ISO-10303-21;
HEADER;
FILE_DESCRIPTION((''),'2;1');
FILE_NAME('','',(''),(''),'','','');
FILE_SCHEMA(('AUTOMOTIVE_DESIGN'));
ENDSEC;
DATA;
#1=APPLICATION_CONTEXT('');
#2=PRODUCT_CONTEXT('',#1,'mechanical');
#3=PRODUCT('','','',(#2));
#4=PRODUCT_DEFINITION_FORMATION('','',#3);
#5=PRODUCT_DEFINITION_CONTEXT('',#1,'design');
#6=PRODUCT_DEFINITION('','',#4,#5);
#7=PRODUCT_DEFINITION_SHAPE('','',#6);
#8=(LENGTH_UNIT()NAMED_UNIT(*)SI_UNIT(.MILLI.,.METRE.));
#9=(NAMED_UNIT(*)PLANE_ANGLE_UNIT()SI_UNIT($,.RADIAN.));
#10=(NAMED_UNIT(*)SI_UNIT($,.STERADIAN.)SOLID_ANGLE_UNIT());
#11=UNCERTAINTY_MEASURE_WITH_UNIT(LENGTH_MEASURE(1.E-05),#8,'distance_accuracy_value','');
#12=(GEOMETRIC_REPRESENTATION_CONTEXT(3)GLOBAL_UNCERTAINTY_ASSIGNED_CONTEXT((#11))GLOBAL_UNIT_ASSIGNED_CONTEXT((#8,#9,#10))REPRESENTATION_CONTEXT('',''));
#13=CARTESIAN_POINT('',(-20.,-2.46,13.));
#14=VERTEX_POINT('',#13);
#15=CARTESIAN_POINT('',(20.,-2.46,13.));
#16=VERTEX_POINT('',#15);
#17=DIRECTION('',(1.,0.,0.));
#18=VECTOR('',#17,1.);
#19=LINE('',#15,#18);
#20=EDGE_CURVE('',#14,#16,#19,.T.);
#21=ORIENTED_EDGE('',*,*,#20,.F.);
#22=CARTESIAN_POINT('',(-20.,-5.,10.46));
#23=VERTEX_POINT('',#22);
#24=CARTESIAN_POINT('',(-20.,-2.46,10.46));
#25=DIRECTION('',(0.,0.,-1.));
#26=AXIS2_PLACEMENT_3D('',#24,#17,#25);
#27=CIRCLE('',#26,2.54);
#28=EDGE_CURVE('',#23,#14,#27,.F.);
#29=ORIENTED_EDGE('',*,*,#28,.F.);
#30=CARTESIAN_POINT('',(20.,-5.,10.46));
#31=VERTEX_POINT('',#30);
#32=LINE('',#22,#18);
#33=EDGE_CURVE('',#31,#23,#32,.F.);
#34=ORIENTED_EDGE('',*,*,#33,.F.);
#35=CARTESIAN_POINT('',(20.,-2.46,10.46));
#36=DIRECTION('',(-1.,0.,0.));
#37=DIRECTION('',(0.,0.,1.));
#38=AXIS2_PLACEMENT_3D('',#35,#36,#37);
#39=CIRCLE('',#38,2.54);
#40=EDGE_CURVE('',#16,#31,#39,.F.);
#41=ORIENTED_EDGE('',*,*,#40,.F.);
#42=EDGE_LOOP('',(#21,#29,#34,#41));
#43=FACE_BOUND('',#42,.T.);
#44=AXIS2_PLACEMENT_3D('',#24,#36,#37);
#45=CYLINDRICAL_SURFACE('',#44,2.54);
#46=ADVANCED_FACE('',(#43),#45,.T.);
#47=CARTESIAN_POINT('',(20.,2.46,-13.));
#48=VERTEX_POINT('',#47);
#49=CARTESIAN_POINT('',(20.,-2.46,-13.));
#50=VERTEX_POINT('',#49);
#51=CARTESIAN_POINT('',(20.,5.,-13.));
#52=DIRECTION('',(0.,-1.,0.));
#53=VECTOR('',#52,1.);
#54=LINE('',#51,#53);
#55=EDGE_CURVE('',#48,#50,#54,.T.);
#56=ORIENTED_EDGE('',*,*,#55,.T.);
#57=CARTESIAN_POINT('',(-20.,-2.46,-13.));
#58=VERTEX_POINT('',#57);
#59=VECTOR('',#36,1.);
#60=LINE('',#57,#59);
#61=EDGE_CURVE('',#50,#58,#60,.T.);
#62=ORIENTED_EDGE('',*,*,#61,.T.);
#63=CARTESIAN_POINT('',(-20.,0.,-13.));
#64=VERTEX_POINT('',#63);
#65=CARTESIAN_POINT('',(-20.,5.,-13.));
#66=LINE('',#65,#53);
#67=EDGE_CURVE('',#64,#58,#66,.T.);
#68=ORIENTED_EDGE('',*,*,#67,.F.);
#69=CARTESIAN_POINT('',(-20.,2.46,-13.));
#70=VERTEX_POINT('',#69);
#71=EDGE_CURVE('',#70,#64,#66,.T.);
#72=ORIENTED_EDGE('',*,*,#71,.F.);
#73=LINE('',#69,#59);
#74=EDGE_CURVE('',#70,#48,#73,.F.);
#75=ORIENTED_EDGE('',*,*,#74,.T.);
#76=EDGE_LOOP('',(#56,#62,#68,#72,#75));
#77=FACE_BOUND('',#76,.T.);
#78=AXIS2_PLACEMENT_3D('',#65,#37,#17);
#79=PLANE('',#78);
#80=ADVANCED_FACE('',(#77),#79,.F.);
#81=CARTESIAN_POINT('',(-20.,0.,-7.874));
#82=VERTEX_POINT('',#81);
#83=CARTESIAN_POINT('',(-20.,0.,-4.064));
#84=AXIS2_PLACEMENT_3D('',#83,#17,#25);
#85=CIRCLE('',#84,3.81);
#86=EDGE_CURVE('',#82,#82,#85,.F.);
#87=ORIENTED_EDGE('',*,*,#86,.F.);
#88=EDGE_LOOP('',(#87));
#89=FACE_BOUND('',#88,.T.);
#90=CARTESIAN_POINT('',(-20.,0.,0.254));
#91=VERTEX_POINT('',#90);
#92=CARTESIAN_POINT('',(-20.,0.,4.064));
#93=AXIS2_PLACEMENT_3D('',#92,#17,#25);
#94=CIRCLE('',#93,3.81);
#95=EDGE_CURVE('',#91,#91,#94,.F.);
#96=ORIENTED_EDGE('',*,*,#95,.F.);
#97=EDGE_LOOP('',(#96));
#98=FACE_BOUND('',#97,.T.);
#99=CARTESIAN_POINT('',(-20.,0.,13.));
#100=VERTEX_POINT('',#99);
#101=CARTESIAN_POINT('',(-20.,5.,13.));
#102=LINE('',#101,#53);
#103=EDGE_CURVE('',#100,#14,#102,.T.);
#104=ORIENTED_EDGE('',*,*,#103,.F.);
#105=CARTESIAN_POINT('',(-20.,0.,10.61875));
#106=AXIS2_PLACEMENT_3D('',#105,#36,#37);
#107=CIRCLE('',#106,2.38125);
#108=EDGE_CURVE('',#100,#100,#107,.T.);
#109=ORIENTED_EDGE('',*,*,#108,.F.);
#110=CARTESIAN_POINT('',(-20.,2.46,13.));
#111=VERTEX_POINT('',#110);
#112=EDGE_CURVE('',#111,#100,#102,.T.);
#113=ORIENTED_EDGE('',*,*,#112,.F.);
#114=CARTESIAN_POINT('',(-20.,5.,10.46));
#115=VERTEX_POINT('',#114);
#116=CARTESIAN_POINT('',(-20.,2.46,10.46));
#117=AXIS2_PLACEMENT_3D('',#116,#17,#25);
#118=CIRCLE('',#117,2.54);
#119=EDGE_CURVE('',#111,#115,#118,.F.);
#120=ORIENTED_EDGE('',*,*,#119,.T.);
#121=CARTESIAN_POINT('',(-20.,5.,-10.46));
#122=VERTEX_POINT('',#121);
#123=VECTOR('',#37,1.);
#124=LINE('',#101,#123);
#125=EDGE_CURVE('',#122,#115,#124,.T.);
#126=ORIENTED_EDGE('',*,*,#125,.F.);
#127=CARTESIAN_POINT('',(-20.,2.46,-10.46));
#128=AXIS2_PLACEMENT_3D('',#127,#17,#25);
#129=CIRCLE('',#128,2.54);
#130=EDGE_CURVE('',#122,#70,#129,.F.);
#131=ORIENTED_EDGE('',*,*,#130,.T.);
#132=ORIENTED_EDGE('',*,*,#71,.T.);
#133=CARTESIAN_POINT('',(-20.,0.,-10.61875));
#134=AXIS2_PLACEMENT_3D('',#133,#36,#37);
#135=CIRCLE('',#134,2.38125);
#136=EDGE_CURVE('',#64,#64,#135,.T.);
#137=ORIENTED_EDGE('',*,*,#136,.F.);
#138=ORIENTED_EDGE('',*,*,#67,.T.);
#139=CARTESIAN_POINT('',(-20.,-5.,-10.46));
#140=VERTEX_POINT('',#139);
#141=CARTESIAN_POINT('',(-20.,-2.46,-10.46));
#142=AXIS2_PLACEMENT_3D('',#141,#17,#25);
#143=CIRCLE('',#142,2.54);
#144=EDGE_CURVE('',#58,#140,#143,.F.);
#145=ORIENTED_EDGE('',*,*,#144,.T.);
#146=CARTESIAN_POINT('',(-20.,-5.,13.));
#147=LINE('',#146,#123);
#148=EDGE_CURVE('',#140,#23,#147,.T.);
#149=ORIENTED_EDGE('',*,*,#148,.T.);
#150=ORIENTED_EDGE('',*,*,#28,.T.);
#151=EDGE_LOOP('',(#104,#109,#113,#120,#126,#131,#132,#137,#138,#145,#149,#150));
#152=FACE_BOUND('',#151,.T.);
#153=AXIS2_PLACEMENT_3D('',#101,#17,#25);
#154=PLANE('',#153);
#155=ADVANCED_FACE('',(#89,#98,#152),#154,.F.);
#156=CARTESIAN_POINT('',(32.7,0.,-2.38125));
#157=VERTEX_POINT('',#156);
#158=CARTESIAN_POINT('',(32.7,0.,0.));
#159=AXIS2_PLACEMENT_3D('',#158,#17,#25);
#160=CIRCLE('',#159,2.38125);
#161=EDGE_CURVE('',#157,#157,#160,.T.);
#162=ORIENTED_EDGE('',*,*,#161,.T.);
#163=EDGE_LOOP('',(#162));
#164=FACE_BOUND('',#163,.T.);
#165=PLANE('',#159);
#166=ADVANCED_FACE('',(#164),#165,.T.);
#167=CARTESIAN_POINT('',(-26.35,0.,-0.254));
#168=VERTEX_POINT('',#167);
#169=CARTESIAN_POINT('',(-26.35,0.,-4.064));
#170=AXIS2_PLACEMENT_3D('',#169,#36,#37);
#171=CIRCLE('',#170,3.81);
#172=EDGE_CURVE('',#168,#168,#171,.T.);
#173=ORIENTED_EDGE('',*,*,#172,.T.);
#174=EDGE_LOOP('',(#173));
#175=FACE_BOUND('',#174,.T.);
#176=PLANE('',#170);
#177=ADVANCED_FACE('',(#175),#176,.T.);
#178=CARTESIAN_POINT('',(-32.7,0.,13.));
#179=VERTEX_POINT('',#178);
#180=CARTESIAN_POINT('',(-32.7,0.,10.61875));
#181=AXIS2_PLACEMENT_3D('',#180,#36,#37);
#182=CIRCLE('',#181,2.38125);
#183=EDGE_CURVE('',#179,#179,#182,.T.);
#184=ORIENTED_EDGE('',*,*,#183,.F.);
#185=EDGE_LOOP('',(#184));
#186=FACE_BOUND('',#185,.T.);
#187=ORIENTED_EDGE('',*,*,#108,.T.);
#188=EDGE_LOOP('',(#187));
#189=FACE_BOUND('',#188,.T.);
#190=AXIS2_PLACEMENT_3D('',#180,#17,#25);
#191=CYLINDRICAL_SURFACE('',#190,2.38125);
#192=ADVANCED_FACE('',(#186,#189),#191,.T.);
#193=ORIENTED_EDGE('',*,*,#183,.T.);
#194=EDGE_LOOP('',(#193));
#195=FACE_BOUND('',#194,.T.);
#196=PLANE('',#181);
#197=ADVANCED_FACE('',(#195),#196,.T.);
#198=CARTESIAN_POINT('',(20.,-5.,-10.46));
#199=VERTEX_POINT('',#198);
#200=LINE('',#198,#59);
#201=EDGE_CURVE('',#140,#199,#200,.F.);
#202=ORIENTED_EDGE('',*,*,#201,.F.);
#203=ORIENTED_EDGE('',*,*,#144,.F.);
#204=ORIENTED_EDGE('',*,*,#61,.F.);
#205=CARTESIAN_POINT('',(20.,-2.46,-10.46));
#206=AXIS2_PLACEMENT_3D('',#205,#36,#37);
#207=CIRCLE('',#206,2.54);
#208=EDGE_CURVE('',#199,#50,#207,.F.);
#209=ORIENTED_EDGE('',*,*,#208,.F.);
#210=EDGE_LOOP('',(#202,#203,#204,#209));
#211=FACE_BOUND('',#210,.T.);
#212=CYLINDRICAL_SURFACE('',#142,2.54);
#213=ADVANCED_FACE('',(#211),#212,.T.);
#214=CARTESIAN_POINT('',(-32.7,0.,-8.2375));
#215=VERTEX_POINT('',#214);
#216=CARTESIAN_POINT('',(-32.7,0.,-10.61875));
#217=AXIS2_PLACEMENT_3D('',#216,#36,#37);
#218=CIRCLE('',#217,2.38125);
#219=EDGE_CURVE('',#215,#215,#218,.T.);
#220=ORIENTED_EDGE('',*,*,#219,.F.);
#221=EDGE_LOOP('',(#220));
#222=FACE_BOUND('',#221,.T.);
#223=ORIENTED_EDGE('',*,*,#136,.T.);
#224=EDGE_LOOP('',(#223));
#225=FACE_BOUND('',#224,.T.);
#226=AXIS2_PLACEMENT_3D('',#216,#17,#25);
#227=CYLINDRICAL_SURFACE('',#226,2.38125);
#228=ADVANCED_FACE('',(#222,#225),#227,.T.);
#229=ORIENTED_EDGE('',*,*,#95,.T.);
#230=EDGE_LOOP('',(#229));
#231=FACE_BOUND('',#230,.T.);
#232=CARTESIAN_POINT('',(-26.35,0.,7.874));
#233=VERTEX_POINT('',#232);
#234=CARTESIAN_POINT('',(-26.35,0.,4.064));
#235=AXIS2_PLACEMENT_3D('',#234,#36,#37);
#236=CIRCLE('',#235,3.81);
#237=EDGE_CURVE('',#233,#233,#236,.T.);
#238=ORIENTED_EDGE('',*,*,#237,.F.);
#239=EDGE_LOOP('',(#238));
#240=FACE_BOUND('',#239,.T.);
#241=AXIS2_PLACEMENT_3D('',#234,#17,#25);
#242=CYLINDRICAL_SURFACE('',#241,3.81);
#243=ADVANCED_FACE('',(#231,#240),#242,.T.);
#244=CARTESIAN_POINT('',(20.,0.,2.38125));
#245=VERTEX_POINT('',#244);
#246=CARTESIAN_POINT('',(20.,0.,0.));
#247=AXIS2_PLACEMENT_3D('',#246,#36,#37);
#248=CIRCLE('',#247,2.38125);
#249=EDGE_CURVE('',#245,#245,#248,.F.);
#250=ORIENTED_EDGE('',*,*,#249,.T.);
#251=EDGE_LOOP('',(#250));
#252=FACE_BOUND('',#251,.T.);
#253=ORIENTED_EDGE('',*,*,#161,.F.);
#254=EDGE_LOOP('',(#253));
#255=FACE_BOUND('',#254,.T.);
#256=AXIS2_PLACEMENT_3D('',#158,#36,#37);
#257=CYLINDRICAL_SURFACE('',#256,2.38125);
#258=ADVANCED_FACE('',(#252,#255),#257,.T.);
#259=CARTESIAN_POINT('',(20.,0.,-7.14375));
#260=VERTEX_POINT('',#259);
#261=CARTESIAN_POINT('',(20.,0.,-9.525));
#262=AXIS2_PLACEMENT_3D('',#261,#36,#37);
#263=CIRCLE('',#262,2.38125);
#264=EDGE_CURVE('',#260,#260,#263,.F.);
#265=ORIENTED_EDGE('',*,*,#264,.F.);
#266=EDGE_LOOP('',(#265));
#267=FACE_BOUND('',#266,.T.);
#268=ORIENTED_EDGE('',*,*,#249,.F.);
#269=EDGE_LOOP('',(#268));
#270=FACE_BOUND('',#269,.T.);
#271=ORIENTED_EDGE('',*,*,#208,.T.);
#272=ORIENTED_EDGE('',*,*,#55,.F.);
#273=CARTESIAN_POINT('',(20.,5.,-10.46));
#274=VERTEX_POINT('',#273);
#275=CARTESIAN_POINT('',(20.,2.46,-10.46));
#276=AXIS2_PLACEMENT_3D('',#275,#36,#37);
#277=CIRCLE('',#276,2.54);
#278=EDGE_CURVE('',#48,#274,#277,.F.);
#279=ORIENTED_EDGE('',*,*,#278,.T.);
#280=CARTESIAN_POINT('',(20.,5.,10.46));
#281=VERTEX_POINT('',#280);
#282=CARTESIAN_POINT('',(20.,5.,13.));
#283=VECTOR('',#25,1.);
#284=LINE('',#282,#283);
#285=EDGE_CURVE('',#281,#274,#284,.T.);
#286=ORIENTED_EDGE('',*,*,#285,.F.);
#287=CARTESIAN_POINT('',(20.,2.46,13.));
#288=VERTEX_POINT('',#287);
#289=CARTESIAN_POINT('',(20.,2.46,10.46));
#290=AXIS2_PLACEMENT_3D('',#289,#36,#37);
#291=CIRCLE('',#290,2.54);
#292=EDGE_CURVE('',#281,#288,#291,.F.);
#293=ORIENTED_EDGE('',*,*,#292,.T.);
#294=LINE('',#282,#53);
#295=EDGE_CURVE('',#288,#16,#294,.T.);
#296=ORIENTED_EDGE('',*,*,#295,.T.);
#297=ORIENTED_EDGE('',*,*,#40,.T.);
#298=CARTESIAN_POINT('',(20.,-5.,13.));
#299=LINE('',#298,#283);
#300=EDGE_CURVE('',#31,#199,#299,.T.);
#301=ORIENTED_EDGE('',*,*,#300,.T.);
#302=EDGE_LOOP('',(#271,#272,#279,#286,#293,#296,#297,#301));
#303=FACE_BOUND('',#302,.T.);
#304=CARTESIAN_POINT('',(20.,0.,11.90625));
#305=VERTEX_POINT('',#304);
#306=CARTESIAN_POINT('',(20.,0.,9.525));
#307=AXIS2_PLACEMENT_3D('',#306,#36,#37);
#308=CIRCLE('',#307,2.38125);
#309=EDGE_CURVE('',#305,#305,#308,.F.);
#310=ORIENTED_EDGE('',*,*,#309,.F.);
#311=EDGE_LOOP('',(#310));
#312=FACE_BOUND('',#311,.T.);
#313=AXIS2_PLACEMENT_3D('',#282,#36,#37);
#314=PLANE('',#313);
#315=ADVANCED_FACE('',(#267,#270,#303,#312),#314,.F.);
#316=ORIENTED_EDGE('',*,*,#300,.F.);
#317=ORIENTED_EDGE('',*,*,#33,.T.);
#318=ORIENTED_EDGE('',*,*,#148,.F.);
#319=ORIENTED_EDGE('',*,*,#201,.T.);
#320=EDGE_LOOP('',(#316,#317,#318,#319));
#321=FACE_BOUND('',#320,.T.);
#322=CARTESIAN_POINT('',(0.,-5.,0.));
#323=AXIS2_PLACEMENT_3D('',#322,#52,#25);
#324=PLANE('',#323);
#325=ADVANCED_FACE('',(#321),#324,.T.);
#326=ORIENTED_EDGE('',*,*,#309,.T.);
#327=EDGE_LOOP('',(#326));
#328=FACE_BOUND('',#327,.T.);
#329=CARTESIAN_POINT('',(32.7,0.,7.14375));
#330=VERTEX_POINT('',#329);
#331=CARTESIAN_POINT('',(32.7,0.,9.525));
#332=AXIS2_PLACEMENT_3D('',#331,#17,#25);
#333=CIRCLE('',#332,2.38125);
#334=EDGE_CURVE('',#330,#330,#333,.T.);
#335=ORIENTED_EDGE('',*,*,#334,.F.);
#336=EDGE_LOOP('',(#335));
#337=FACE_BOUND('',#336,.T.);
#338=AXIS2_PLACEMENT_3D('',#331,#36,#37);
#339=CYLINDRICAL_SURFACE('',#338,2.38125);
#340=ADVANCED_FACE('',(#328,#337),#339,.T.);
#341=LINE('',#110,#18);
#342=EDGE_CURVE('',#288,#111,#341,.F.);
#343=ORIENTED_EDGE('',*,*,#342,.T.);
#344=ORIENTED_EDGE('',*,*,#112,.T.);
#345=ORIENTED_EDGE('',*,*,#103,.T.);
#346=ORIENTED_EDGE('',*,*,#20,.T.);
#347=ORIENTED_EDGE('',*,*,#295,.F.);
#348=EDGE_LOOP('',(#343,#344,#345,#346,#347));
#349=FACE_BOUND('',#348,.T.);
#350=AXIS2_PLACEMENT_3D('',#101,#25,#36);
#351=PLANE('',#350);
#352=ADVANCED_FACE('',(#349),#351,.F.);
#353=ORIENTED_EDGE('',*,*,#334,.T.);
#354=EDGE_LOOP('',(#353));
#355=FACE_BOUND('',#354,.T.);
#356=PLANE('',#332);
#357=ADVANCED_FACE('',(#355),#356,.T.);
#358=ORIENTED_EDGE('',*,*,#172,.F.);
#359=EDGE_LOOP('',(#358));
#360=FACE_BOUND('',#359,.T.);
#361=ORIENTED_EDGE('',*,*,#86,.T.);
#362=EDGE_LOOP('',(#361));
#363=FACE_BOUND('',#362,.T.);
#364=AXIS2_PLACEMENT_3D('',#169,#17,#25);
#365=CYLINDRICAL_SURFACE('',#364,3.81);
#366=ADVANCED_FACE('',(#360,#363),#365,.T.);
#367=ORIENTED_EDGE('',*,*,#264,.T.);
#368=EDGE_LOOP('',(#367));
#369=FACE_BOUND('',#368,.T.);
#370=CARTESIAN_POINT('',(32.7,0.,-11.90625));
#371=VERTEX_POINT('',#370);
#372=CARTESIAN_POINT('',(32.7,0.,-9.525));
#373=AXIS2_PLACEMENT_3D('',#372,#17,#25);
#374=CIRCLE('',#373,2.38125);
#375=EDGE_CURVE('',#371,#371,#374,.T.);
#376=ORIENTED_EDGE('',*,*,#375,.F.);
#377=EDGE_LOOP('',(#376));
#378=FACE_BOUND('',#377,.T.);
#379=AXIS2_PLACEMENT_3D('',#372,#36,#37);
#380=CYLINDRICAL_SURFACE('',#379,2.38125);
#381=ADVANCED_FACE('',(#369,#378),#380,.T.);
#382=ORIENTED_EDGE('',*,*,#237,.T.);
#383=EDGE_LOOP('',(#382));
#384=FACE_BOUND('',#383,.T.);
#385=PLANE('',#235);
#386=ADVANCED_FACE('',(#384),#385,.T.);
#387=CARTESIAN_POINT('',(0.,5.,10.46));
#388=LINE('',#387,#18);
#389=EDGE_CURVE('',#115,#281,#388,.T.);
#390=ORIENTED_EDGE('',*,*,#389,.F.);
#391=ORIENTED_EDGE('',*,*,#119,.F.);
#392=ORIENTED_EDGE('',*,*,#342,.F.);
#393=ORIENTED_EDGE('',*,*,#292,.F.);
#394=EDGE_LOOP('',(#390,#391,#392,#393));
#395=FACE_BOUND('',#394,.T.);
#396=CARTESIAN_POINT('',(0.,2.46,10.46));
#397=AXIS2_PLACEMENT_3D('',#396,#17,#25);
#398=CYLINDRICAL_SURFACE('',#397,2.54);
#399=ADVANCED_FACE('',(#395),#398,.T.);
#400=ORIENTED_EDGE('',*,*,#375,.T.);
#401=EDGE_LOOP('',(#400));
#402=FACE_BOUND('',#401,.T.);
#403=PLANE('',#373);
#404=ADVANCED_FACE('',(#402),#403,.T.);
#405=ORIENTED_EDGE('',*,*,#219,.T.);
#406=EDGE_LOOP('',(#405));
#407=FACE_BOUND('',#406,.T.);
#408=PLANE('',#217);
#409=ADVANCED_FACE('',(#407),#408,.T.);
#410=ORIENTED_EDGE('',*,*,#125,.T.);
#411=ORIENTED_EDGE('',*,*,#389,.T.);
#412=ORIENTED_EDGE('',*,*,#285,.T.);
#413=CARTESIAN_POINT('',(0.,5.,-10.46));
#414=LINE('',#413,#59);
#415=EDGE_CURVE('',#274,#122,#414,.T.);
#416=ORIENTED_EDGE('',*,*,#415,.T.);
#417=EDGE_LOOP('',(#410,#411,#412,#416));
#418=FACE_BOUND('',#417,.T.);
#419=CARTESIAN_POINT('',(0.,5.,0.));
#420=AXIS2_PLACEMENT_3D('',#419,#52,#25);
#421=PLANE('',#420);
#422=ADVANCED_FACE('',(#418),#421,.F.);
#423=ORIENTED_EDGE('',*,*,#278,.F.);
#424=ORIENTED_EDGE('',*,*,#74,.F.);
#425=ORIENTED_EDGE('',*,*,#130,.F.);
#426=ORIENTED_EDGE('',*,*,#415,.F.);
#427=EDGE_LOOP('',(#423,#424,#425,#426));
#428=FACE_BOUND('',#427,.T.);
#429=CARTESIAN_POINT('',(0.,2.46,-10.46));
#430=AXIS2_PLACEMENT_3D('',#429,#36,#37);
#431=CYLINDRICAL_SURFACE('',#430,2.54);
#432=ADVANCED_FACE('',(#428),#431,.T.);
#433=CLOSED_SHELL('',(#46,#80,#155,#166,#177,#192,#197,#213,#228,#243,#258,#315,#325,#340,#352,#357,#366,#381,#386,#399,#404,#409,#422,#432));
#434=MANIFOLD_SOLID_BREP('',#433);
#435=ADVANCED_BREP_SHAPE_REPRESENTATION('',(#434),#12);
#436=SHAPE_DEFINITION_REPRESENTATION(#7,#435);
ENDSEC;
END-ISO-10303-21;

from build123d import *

# Parameters (mm, degrees)
SKETCH1_W             = 40
SKETCH1_H             = 26
ESC_BODY_DEPTH        = 5
SKETCH2_R             = 2.38125
MOTOR_WIRES_DEPTH     = 12.7
SKETCH3_R             = 3.81
CAPACITOR_HEADS_DEPTH = 6.35
SKETCH4_R             = 2.38125
POWER_WIRES_DEPTH     = 12.7
FILLET1_R             = 2.54


with BuildPart() as part:
    # Sketch1 → ESC Body (new, symmetric)
    with BuildSketch(Plane(origin=(0, 0, 0), x_dir=(1, 0, 0), z_dir=(0, 1, 0))):
        Rectangle(SKETCH1_W, SKETCH1_H)
    extrude(amount=ESC_BODY_DEPTH, both=True)

    # Sketch2 → Motor Wires (add)
    with BuildSketch(Plane(origin=(20, 0, 0), x_dir=(0, 0, -1), z_dir=(1, 0, 0))):
        with Locations(Location((0, 0, 0), (0, 0, 180))):
            Circle(SKETCH2_R)
        with Locations(Location((-9.525, 0, 0), (0, 0, 180))):
            Circle(SKETCH2_R)
        with Locations(Location((9.525, 0, 0), (0, 0, 180))):
            Circle(SKETCH2_R)
    extrude(amount=MOTOR_WIRES_DEPTH)

    # Sketch3 → Capacitor Heads (add)
    with BuildSketch(Plane.ZY.offset(20)):
        with Locations(Location((-4.064, 0, 0), (0, 0, 180))):
            Circle(SKETCH3_R)
        with Locations(Location((4.064, 0, 0), (0, 0, 180))):
            Circle(SKETCH3_R)
    extrude(amount=CAPACITOR_HEADS_DEPTH)

    # Sketch4 → Power Wires (add)
    with BuildSketch(Plane.ZY.offset(20)):
        with Locations(Location((-10.61875, 0, 0), (0, 0, 180))):
            Circle(SKETCH4_R)
        with Locations((10.61875, 0)):
            Circle(SKETCH4_R)
    extrude(amount=POWER_WIRES_DEPTH)

    # Fillet1
    fillet1_edges = [part.edges().sort_by_distance(p)[0] for p in [
        (0, 5, 13),
        (0, -5, 13),
        (0, -5, -13),
        (0, 5, -13),
    ]]
    fillet(fillet1_edges, radius=FILLET1_R)


solid = part.part
